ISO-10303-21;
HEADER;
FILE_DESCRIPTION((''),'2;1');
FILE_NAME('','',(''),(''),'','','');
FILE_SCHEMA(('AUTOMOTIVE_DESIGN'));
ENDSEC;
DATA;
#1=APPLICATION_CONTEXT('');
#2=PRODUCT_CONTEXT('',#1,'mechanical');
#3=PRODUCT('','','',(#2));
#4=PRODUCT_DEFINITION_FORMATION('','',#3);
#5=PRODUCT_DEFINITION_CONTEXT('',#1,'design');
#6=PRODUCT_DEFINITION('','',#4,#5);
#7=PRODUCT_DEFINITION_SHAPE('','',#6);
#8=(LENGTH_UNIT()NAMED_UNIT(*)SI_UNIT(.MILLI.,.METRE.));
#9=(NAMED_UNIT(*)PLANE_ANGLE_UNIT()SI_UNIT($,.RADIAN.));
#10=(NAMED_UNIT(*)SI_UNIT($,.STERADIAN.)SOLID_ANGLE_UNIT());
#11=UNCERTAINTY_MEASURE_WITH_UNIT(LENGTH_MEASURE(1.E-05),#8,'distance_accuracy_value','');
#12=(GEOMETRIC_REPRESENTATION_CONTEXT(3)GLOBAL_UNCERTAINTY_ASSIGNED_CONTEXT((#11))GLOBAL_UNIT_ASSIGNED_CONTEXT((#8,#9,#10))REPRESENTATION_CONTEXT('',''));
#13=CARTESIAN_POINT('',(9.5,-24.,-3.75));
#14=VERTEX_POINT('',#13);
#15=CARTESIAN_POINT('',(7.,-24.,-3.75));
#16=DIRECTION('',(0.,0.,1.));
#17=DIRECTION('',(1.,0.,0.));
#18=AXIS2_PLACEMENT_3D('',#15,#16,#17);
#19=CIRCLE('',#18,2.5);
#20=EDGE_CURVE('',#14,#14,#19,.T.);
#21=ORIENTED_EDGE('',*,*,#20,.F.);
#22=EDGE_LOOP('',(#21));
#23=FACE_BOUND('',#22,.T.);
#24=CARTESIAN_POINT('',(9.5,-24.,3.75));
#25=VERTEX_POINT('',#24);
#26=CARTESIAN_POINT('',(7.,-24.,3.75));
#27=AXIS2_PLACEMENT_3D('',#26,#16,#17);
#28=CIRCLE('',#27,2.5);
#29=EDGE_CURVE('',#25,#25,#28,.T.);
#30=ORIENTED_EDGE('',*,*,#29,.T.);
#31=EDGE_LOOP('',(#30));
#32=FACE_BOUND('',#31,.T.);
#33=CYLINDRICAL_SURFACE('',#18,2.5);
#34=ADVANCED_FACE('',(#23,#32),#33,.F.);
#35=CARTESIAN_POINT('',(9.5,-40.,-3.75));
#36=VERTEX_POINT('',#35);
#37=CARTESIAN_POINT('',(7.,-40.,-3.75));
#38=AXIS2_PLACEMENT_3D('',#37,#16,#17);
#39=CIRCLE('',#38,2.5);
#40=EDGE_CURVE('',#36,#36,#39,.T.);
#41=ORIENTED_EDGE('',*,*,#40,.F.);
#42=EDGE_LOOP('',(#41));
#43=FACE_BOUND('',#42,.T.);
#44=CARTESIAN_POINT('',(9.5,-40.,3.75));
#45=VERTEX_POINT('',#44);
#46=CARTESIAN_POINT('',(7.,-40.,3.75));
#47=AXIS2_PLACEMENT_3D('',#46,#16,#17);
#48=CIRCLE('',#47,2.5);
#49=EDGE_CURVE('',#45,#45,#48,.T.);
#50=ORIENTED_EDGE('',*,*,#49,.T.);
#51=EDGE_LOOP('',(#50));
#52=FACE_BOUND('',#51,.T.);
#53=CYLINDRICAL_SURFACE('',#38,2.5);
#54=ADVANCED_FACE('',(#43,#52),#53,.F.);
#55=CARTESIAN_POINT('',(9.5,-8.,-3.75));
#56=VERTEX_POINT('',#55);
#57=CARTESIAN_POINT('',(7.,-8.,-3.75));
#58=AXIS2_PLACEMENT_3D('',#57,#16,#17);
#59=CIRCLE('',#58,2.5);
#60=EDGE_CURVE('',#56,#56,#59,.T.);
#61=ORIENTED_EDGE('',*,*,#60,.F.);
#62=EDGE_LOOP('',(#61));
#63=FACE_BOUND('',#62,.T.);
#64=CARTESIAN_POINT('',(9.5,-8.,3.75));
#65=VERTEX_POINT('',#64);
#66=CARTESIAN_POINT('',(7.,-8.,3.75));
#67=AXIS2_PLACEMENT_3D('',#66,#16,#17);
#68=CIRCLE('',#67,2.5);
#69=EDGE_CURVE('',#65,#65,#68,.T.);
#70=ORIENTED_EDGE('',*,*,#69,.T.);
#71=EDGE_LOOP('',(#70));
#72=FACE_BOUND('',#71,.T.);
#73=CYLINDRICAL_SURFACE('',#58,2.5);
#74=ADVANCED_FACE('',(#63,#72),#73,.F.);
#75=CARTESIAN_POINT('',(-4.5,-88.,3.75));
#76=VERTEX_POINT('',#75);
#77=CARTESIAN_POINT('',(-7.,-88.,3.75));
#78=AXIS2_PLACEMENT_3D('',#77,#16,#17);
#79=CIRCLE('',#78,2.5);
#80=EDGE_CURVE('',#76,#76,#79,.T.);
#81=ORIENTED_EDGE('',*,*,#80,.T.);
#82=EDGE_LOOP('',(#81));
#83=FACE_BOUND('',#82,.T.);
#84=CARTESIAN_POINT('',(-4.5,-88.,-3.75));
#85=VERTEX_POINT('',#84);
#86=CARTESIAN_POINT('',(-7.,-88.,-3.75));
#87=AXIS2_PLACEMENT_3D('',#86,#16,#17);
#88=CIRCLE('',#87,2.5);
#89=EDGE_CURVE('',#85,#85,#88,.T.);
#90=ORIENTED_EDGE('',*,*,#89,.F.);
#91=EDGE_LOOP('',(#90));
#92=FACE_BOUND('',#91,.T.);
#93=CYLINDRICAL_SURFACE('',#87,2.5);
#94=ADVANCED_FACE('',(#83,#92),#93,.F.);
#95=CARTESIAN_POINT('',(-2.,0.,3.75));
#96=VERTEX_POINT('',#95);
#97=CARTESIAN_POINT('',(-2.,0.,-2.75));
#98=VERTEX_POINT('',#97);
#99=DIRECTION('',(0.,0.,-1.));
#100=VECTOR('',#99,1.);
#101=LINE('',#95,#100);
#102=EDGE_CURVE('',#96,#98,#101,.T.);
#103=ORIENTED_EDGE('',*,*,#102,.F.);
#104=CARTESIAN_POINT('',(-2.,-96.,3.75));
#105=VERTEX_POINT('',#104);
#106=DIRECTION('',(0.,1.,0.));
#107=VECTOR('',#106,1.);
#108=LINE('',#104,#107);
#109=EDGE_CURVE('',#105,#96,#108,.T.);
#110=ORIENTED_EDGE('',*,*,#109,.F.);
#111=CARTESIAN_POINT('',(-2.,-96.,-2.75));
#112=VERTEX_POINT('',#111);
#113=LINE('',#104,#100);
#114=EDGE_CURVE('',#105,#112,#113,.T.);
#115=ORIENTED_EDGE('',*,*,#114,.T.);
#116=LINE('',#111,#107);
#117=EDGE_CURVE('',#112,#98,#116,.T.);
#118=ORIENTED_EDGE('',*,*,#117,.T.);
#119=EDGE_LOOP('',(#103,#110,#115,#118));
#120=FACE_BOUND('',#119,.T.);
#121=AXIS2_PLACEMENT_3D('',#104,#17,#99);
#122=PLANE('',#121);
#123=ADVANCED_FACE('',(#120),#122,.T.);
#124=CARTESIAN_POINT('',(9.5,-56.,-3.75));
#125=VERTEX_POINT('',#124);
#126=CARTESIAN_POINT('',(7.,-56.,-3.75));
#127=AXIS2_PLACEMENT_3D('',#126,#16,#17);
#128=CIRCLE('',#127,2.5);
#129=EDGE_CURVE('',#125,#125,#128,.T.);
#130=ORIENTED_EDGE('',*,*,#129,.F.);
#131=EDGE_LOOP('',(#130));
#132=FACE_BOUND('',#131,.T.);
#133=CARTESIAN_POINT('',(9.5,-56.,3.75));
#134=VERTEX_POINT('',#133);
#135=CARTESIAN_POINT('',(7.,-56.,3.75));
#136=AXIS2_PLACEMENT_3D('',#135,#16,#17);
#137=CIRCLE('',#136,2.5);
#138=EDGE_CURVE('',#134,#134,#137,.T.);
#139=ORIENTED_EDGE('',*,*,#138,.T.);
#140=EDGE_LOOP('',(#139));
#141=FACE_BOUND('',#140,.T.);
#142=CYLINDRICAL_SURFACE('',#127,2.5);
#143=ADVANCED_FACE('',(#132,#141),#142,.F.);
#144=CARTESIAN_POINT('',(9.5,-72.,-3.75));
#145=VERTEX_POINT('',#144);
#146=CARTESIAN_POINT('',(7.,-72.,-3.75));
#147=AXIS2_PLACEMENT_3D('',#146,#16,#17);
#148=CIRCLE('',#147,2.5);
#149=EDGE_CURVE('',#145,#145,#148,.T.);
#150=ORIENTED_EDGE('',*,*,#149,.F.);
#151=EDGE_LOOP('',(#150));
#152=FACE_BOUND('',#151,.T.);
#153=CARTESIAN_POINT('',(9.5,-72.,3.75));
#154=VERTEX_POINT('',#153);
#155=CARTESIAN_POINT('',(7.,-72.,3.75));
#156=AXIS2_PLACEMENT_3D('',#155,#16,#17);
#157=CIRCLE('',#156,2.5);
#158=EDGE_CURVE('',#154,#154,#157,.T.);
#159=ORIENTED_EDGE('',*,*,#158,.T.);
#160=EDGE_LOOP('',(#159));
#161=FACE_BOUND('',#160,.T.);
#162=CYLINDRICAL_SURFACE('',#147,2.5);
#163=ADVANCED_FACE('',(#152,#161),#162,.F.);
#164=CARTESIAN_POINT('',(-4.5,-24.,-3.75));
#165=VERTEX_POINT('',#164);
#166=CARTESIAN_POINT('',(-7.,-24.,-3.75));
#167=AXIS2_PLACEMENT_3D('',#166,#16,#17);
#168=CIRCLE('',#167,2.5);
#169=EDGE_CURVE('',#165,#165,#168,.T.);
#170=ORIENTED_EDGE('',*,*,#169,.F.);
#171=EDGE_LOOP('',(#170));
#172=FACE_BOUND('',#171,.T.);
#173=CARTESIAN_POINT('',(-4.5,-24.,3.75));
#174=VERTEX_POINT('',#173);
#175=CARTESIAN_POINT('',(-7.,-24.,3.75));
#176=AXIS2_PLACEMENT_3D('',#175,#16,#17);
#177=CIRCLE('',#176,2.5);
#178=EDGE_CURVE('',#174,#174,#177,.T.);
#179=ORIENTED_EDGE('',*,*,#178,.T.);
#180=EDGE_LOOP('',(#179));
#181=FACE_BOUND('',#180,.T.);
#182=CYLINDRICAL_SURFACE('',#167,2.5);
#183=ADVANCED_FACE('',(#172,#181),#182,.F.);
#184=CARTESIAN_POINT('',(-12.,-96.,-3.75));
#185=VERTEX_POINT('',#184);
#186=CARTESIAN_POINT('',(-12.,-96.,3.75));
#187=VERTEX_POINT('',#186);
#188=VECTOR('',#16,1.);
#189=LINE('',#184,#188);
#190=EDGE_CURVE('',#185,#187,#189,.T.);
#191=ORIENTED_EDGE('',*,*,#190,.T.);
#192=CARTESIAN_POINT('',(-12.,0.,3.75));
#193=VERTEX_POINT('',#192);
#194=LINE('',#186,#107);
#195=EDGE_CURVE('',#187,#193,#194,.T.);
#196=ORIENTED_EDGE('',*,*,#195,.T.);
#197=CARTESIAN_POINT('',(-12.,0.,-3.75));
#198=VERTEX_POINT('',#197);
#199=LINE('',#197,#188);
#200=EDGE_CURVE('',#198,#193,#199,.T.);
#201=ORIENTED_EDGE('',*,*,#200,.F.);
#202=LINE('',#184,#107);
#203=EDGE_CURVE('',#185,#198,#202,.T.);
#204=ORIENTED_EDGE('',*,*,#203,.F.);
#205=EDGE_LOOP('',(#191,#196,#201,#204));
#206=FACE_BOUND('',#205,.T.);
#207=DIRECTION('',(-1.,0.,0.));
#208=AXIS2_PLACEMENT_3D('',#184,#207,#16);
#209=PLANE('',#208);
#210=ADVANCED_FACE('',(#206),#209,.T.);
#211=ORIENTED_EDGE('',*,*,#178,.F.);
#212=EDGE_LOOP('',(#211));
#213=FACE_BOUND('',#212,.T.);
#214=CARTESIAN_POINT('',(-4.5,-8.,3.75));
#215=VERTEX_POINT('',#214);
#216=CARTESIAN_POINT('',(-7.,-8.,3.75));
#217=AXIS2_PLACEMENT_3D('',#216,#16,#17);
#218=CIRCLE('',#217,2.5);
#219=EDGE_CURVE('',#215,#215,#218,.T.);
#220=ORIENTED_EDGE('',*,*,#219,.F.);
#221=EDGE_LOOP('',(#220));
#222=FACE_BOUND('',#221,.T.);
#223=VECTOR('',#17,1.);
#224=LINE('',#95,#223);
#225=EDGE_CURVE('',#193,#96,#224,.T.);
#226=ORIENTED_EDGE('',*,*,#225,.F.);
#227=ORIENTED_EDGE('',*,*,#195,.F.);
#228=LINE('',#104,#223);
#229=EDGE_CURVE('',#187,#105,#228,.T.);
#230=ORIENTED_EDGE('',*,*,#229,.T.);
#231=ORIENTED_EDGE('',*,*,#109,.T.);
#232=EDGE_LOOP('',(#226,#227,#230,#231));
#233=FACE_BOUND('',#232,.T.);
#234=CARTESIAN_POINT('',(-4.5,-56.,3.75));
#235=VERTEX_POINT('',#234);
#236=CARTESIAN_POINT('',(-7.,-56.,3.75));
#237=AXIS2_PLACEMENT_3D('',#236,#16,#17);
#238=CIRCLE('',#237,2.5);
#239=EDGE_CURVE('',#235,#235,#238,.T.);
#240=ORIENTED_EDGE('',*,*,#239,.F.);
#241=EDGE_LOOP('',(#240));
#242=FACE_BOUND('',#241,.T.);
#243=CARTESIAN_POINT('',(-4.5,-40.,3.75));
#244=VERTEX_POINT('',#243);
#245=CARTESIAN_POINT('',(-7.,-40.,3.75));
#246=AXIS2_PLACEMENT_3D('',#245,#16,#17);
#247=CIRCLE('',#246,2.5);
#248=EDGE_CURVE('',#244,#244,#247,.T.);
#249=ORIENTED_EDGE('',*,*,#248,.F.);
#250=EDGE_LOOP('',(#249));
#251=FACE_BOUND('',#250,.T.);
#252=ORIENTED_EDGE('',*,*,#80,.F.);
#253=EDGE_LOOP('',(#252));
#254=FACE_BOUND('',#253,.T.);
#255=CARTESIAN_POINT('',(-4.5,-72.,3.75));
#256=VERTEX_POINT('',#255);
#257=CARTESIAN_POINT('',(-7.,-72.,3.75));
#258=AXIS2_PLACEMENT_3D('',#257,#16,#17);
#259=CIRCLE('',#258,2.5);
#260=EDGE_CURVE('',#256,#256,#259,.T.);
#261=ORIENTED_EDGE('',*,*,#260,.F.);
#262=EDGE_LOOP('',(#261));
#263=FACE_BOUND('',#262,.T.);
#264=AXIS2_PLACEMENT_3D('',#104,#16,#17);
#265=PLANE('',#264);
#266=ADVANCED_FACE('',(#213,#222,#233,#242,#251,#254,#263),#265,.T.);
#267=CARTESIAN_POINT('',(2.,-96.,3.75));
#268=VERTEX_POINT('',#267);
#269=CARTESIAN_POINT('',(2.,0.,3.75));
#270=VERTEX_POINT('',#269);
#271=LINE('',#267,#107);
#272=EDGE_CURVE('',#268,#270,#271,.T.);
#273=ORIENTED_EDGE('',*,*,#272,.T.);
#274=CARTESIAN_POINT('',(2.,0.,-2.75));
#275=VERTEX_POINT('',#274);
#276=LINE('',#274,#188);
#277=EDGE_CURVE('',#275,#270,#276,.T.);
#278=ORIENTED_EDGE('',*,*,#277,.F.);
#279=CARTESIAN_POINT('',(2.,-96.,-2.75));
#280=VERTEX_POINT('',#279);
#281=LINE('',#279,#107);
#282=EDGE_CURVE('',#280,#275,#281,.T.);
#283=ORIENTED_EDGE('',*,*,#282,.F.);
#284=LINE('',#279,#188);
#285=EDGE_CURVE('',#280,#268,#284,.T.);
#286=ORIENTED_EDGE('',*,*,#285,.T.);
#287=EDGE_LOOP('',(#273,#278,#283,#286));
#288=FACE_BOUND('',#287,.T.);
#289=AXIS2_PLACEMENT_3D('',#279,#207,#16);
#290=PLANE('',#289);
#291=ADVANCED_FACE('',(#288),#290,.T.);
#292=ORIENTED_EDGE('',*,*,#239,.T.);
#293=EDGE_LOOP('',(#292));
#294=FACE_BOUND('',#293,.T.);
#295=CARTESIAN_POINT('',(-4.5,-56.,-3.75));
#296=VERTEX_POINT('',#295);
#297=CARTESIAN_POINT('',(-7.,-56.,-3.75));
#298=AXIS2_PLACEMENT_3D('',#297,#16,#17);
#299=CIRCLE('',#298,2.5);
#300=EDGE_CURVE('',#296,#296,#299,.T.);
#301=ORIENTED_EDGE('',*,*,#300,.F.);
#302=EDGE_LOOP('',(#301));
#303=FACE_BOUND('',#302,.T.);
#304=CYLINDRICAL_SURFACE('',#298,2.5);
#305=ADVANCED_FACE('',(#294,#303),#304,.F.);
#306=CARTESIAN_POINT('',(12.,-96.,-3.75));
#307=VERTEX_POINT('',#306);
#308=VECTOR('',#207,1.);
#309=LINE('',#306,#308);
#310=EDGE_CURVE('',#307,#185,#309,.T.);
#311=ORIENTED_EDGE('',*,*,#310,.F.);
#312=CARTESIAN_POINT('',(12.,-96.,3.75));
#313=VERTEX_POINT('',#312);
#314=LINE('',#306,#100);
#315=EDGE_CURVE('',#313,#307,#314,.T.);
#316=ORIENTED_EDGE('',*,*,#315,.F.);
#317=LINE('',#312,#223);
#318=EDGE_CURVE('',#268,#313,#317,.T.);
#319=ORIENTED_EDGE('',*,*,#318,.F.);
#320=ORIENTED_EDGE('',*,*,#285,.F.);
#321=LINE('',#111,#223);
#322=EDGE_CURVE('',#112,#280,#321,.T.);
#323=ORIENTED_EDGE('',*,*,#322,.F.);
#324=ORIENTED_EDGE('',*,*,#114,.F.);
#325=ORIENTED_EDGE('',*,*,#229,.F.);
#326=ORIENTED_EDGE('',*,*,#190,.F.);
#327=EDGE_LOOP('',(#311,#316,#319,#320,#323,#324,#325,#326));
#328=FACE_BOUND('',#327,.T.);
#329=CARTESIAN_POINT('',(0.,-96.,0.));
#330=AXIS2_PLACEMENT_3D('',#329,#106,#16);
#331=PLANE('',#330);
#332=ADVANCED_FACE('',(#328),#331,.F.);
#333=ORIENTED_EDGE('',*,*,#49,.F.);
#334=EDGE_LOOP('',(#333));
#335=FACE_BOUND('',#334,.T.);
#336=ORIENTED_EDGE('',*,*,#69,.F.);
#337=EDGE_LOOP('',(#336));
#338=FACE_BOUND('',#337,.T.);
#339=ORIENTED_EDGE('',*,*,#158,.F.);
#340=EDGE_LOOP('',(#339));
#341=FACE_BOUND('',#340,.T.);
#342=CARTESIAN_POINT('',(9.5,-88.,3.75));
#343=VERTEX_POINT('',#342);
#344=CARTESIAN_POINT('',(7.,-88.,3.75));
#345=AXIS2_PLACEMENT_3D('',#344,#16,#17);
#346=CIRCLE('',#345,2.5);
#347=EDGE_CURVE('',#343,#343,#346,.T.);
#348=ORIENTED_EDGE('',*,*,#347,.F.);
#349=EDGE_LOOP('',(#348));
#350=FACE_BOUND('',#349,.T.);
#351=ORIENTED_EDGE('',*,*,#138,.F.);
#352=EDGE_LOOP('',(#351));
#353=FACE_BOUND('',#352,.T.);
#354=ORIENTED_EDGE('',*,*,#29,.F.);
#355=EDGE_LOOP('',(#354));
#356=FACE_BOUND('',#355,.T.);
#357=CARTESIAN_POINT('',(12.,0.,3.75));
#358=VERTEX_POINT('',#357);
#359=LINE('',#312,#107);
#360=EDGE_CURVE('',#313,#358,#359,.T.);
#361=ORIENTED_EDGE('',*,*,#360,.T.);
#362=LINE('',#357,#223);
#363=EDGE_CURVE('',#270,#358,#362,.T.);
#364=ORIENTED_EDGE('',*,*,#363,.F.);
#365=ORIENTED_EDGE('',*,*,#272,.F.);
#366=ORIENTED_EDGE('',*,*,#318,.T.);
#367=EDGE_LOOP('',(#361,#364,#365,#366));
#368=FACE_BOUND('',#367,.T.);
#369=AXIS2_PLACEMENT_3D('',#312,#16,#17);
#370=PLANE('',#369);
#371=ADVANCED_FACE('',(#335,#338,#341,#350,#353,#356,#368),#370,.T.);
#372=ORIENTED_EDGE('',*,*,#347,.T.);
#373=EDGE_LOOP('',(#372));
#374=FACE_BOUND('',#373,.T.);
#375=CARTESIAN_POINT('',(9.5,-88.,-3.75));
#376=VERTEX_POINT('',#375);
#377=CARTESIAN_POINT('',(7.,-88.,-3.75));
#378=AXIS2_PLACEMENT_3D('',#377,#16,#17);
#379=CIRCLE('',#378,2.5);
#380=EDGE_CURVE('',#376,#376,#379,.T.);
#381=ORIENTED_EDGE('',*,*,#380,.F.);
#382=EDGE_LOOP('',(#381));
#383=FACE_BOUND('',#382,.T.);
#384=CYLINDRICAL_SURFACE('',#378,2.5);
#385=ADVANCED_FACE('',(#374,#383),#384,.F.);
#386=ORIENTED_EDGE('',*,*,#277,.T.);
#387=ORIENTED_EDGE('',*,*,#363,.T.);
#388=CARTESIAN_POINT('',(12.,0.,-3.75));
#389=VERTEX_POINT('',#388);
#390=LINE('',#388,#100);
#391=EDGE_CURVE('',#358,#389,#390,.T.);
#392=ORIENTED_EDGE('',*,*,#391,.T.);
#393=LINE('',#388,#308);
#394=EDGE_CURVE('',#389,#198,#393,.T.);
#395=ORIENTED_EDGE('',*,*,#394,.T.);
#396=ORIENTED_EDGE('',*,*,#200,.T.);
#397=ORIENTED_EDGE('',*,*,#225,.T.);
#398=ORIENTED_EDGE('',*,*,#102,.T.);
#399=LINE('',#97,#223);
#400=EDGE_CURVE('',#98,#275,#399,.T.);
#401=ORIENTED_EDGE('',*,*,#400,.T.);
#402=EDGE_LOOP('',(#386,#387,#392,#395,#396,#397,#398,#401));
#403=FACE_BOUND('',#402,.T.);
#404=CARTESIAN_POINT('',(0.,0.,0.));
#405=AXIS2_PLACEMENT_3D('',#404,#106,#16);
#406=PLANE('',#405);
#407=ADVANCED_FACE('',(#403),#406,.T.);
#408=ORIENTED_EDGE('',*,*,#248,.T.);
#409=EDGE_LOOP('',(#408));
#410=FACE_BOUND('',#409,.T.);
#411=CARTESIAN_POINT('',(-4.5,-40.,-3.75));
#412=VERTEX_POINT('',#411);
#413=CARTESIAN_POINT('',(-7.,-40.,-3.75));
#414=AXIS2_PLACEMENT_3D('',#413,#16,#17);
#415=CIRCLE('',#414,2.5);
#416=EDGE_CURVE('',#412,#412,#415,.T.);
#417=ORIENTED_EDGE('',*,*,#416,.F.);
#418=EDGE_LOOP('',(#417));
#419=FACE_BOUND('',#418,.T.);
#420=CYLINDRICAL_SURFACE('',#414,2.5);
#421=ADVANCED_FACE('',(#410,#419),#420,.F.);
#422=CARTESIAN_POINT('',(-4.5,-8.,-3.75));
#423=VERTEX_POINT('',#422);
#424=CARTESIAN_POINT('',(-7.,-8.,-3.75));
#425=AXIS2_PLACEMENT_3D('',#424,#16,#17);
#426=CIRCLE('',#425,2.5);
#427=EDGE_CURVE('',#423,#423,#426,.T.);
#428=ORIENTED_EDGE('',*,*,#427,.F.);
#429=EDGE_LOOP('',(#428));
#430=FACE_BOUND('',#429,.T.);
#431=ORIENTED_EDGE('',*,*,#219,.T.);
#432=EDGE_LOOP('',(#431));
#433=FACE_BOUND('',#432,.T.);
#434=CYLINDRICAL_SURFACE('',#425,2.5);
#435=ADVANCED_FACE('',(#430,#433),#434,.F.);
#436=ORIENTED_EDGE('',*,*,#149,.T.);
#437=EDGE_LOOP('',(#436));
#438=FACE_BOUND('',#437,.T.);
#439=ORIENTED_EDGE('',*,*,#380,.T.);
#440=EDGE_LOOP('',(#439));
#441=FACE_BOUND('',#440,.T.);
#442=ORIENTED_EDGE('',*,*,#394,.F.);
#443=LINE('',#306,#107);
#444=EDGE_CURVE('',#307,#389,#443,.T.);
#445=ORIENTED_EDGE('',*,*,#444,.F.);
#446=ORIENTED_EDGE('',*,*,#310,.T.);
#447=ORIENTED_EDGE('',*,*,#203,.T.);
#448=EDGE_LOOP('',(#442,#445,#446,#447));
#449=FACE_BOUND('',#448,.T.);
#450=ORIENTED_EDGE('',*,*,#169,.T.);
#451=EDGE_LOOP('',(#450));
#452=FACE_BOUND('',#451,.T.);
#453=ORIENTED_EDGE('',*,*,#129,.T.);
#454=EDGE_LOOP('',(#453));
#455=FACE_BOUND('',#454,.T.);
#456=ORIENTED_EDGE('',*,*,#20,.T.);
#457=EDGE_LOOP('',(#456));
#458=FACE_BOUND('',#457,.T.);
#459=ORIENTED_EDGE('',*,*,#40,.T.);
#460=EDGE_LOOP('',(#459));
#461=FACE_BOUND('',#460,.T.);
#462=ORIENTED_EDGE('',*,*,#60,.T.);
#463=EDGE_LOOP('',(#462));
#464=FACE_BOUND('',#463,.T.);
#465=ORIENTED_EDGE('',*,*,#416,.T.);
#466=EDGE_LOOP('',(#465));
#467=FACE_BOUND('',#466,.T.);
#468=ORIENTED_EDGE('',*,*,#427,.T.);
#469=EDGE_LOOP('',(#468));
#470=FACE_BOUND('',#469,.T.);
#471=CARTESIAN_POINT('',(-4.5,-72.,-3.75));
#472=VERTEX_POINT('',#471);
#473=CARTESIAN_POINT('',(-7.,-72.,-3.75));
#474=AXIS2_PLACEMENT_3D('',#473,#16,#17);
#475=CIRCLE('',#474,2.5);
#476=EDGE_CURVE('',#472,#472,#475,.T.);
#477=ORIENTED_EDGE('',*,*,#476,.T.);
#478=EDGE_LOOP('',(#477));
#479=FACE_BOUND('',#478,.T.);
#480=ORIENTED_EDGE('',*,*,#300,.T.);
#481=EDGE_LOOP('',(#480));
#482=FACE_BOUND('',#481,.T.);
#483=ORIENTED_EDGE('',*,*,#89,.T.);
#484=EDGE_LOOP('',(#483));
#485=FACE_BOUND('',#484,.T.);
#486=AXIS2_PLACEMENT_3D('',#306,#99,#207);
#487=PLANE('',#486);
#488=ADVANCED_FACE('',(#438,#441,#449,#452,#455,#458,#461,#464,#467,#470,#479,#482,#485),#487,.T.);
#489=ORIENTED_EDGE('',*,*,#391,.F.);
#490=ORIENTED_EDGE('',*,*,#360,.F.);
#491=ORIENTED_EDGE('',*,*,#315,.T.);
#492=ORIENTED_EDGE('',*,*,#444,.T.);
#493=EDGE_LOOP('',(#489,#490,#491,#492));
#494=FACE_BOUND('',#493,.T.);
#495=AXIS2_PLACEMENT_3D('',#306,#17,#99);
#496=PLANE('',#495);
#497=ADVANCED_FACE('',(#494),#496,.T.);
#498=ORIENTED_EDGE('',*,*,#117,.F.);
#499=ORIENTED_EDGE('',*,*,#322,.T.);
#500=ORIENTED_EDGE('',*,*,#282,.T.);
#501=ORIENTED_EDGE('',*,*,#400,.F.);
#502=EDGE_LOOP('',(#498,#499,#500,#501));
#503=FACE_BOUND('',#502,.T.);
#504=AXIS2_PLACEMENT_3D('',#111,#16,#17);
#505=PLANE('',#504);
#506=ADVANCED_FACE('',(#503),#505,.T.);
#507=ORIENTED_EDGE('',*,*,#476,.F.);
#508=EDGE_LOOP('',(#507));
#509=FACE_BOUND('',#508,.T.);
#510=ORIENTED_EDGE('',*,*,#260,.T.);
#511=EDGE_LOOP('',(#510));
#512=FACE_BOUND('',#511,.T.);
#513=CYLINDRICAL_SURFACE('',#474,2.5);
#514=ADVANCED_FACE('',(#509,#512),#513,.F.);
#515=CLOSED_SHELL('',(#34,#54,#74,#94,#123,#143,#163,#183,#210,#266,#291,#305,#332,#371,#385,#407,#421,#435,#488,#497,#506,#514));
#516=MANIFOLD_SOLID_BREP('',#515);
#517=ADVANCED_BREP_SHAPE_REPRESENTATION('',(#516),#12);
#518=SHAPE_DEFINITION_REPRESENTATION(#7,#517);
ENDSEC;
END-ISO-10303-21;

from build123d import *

# Parameters (mm, degrees)
BASE_DEPTH  = 96
ESQUISSE2_R = 2.5
TROU_DEPTH  = 98.037363938


with BuildPart() as part:
    # Esquisse1 → BASE (new body)
    with BuildSketch(Plane(origin=(0, 0, 0), x_dir=(1, 0, 0), z_dir=(0, 1, 0))):
        Polygon((-2, -3.75), (-2, 2.75), (2, 2.75), (2, -3.75), (12, -3.75), (12, 3.75), (-12, 3.75), (-12, -3.75), align=None)
    extrude(amount=-BASE_DEPTH)

    # Esquisse2 → TROU (cut, through all)
    with BuildSketch(Plane.XY.offset(3.75)):
        with Locations((-7, -8)):
            Circle(ESQUISSE2_R)
        with Locations((7, -8)):
            Circle(ESQUISSE2_R)
        with Locations((7, -24)):
            Circle(ESQUISSE2_R)
        with Locations((7, -40)):
            Circle(ESQUISSE2_R)
        with Locations((7, -56)):
            Circle(ESQUISSE2_R)
        with Locations((7, -72)):
            Circle(ESQUISSE2_R)
        with Locations((7, -88)):
            Circle(ESQUISSE2_R)
        with Locations((-7, -24)):
            Circle(ESQUISSE2_R)
        with Locations((-7, -40)):
            Circle(ESQUISSE2_R)
        with Locations((-7, -56)):
            Circle(ESQUISSE2_R)
        with Locations((-7, -72)):
            Circle(ESQUISSE2_R)
        with Locations((-7, -88)):
            Circle(ESQUISSE2_R)
    extrude(amount=-TROU_DEPTH, mode=Mode.SUBTRACT)


solid = part.part
